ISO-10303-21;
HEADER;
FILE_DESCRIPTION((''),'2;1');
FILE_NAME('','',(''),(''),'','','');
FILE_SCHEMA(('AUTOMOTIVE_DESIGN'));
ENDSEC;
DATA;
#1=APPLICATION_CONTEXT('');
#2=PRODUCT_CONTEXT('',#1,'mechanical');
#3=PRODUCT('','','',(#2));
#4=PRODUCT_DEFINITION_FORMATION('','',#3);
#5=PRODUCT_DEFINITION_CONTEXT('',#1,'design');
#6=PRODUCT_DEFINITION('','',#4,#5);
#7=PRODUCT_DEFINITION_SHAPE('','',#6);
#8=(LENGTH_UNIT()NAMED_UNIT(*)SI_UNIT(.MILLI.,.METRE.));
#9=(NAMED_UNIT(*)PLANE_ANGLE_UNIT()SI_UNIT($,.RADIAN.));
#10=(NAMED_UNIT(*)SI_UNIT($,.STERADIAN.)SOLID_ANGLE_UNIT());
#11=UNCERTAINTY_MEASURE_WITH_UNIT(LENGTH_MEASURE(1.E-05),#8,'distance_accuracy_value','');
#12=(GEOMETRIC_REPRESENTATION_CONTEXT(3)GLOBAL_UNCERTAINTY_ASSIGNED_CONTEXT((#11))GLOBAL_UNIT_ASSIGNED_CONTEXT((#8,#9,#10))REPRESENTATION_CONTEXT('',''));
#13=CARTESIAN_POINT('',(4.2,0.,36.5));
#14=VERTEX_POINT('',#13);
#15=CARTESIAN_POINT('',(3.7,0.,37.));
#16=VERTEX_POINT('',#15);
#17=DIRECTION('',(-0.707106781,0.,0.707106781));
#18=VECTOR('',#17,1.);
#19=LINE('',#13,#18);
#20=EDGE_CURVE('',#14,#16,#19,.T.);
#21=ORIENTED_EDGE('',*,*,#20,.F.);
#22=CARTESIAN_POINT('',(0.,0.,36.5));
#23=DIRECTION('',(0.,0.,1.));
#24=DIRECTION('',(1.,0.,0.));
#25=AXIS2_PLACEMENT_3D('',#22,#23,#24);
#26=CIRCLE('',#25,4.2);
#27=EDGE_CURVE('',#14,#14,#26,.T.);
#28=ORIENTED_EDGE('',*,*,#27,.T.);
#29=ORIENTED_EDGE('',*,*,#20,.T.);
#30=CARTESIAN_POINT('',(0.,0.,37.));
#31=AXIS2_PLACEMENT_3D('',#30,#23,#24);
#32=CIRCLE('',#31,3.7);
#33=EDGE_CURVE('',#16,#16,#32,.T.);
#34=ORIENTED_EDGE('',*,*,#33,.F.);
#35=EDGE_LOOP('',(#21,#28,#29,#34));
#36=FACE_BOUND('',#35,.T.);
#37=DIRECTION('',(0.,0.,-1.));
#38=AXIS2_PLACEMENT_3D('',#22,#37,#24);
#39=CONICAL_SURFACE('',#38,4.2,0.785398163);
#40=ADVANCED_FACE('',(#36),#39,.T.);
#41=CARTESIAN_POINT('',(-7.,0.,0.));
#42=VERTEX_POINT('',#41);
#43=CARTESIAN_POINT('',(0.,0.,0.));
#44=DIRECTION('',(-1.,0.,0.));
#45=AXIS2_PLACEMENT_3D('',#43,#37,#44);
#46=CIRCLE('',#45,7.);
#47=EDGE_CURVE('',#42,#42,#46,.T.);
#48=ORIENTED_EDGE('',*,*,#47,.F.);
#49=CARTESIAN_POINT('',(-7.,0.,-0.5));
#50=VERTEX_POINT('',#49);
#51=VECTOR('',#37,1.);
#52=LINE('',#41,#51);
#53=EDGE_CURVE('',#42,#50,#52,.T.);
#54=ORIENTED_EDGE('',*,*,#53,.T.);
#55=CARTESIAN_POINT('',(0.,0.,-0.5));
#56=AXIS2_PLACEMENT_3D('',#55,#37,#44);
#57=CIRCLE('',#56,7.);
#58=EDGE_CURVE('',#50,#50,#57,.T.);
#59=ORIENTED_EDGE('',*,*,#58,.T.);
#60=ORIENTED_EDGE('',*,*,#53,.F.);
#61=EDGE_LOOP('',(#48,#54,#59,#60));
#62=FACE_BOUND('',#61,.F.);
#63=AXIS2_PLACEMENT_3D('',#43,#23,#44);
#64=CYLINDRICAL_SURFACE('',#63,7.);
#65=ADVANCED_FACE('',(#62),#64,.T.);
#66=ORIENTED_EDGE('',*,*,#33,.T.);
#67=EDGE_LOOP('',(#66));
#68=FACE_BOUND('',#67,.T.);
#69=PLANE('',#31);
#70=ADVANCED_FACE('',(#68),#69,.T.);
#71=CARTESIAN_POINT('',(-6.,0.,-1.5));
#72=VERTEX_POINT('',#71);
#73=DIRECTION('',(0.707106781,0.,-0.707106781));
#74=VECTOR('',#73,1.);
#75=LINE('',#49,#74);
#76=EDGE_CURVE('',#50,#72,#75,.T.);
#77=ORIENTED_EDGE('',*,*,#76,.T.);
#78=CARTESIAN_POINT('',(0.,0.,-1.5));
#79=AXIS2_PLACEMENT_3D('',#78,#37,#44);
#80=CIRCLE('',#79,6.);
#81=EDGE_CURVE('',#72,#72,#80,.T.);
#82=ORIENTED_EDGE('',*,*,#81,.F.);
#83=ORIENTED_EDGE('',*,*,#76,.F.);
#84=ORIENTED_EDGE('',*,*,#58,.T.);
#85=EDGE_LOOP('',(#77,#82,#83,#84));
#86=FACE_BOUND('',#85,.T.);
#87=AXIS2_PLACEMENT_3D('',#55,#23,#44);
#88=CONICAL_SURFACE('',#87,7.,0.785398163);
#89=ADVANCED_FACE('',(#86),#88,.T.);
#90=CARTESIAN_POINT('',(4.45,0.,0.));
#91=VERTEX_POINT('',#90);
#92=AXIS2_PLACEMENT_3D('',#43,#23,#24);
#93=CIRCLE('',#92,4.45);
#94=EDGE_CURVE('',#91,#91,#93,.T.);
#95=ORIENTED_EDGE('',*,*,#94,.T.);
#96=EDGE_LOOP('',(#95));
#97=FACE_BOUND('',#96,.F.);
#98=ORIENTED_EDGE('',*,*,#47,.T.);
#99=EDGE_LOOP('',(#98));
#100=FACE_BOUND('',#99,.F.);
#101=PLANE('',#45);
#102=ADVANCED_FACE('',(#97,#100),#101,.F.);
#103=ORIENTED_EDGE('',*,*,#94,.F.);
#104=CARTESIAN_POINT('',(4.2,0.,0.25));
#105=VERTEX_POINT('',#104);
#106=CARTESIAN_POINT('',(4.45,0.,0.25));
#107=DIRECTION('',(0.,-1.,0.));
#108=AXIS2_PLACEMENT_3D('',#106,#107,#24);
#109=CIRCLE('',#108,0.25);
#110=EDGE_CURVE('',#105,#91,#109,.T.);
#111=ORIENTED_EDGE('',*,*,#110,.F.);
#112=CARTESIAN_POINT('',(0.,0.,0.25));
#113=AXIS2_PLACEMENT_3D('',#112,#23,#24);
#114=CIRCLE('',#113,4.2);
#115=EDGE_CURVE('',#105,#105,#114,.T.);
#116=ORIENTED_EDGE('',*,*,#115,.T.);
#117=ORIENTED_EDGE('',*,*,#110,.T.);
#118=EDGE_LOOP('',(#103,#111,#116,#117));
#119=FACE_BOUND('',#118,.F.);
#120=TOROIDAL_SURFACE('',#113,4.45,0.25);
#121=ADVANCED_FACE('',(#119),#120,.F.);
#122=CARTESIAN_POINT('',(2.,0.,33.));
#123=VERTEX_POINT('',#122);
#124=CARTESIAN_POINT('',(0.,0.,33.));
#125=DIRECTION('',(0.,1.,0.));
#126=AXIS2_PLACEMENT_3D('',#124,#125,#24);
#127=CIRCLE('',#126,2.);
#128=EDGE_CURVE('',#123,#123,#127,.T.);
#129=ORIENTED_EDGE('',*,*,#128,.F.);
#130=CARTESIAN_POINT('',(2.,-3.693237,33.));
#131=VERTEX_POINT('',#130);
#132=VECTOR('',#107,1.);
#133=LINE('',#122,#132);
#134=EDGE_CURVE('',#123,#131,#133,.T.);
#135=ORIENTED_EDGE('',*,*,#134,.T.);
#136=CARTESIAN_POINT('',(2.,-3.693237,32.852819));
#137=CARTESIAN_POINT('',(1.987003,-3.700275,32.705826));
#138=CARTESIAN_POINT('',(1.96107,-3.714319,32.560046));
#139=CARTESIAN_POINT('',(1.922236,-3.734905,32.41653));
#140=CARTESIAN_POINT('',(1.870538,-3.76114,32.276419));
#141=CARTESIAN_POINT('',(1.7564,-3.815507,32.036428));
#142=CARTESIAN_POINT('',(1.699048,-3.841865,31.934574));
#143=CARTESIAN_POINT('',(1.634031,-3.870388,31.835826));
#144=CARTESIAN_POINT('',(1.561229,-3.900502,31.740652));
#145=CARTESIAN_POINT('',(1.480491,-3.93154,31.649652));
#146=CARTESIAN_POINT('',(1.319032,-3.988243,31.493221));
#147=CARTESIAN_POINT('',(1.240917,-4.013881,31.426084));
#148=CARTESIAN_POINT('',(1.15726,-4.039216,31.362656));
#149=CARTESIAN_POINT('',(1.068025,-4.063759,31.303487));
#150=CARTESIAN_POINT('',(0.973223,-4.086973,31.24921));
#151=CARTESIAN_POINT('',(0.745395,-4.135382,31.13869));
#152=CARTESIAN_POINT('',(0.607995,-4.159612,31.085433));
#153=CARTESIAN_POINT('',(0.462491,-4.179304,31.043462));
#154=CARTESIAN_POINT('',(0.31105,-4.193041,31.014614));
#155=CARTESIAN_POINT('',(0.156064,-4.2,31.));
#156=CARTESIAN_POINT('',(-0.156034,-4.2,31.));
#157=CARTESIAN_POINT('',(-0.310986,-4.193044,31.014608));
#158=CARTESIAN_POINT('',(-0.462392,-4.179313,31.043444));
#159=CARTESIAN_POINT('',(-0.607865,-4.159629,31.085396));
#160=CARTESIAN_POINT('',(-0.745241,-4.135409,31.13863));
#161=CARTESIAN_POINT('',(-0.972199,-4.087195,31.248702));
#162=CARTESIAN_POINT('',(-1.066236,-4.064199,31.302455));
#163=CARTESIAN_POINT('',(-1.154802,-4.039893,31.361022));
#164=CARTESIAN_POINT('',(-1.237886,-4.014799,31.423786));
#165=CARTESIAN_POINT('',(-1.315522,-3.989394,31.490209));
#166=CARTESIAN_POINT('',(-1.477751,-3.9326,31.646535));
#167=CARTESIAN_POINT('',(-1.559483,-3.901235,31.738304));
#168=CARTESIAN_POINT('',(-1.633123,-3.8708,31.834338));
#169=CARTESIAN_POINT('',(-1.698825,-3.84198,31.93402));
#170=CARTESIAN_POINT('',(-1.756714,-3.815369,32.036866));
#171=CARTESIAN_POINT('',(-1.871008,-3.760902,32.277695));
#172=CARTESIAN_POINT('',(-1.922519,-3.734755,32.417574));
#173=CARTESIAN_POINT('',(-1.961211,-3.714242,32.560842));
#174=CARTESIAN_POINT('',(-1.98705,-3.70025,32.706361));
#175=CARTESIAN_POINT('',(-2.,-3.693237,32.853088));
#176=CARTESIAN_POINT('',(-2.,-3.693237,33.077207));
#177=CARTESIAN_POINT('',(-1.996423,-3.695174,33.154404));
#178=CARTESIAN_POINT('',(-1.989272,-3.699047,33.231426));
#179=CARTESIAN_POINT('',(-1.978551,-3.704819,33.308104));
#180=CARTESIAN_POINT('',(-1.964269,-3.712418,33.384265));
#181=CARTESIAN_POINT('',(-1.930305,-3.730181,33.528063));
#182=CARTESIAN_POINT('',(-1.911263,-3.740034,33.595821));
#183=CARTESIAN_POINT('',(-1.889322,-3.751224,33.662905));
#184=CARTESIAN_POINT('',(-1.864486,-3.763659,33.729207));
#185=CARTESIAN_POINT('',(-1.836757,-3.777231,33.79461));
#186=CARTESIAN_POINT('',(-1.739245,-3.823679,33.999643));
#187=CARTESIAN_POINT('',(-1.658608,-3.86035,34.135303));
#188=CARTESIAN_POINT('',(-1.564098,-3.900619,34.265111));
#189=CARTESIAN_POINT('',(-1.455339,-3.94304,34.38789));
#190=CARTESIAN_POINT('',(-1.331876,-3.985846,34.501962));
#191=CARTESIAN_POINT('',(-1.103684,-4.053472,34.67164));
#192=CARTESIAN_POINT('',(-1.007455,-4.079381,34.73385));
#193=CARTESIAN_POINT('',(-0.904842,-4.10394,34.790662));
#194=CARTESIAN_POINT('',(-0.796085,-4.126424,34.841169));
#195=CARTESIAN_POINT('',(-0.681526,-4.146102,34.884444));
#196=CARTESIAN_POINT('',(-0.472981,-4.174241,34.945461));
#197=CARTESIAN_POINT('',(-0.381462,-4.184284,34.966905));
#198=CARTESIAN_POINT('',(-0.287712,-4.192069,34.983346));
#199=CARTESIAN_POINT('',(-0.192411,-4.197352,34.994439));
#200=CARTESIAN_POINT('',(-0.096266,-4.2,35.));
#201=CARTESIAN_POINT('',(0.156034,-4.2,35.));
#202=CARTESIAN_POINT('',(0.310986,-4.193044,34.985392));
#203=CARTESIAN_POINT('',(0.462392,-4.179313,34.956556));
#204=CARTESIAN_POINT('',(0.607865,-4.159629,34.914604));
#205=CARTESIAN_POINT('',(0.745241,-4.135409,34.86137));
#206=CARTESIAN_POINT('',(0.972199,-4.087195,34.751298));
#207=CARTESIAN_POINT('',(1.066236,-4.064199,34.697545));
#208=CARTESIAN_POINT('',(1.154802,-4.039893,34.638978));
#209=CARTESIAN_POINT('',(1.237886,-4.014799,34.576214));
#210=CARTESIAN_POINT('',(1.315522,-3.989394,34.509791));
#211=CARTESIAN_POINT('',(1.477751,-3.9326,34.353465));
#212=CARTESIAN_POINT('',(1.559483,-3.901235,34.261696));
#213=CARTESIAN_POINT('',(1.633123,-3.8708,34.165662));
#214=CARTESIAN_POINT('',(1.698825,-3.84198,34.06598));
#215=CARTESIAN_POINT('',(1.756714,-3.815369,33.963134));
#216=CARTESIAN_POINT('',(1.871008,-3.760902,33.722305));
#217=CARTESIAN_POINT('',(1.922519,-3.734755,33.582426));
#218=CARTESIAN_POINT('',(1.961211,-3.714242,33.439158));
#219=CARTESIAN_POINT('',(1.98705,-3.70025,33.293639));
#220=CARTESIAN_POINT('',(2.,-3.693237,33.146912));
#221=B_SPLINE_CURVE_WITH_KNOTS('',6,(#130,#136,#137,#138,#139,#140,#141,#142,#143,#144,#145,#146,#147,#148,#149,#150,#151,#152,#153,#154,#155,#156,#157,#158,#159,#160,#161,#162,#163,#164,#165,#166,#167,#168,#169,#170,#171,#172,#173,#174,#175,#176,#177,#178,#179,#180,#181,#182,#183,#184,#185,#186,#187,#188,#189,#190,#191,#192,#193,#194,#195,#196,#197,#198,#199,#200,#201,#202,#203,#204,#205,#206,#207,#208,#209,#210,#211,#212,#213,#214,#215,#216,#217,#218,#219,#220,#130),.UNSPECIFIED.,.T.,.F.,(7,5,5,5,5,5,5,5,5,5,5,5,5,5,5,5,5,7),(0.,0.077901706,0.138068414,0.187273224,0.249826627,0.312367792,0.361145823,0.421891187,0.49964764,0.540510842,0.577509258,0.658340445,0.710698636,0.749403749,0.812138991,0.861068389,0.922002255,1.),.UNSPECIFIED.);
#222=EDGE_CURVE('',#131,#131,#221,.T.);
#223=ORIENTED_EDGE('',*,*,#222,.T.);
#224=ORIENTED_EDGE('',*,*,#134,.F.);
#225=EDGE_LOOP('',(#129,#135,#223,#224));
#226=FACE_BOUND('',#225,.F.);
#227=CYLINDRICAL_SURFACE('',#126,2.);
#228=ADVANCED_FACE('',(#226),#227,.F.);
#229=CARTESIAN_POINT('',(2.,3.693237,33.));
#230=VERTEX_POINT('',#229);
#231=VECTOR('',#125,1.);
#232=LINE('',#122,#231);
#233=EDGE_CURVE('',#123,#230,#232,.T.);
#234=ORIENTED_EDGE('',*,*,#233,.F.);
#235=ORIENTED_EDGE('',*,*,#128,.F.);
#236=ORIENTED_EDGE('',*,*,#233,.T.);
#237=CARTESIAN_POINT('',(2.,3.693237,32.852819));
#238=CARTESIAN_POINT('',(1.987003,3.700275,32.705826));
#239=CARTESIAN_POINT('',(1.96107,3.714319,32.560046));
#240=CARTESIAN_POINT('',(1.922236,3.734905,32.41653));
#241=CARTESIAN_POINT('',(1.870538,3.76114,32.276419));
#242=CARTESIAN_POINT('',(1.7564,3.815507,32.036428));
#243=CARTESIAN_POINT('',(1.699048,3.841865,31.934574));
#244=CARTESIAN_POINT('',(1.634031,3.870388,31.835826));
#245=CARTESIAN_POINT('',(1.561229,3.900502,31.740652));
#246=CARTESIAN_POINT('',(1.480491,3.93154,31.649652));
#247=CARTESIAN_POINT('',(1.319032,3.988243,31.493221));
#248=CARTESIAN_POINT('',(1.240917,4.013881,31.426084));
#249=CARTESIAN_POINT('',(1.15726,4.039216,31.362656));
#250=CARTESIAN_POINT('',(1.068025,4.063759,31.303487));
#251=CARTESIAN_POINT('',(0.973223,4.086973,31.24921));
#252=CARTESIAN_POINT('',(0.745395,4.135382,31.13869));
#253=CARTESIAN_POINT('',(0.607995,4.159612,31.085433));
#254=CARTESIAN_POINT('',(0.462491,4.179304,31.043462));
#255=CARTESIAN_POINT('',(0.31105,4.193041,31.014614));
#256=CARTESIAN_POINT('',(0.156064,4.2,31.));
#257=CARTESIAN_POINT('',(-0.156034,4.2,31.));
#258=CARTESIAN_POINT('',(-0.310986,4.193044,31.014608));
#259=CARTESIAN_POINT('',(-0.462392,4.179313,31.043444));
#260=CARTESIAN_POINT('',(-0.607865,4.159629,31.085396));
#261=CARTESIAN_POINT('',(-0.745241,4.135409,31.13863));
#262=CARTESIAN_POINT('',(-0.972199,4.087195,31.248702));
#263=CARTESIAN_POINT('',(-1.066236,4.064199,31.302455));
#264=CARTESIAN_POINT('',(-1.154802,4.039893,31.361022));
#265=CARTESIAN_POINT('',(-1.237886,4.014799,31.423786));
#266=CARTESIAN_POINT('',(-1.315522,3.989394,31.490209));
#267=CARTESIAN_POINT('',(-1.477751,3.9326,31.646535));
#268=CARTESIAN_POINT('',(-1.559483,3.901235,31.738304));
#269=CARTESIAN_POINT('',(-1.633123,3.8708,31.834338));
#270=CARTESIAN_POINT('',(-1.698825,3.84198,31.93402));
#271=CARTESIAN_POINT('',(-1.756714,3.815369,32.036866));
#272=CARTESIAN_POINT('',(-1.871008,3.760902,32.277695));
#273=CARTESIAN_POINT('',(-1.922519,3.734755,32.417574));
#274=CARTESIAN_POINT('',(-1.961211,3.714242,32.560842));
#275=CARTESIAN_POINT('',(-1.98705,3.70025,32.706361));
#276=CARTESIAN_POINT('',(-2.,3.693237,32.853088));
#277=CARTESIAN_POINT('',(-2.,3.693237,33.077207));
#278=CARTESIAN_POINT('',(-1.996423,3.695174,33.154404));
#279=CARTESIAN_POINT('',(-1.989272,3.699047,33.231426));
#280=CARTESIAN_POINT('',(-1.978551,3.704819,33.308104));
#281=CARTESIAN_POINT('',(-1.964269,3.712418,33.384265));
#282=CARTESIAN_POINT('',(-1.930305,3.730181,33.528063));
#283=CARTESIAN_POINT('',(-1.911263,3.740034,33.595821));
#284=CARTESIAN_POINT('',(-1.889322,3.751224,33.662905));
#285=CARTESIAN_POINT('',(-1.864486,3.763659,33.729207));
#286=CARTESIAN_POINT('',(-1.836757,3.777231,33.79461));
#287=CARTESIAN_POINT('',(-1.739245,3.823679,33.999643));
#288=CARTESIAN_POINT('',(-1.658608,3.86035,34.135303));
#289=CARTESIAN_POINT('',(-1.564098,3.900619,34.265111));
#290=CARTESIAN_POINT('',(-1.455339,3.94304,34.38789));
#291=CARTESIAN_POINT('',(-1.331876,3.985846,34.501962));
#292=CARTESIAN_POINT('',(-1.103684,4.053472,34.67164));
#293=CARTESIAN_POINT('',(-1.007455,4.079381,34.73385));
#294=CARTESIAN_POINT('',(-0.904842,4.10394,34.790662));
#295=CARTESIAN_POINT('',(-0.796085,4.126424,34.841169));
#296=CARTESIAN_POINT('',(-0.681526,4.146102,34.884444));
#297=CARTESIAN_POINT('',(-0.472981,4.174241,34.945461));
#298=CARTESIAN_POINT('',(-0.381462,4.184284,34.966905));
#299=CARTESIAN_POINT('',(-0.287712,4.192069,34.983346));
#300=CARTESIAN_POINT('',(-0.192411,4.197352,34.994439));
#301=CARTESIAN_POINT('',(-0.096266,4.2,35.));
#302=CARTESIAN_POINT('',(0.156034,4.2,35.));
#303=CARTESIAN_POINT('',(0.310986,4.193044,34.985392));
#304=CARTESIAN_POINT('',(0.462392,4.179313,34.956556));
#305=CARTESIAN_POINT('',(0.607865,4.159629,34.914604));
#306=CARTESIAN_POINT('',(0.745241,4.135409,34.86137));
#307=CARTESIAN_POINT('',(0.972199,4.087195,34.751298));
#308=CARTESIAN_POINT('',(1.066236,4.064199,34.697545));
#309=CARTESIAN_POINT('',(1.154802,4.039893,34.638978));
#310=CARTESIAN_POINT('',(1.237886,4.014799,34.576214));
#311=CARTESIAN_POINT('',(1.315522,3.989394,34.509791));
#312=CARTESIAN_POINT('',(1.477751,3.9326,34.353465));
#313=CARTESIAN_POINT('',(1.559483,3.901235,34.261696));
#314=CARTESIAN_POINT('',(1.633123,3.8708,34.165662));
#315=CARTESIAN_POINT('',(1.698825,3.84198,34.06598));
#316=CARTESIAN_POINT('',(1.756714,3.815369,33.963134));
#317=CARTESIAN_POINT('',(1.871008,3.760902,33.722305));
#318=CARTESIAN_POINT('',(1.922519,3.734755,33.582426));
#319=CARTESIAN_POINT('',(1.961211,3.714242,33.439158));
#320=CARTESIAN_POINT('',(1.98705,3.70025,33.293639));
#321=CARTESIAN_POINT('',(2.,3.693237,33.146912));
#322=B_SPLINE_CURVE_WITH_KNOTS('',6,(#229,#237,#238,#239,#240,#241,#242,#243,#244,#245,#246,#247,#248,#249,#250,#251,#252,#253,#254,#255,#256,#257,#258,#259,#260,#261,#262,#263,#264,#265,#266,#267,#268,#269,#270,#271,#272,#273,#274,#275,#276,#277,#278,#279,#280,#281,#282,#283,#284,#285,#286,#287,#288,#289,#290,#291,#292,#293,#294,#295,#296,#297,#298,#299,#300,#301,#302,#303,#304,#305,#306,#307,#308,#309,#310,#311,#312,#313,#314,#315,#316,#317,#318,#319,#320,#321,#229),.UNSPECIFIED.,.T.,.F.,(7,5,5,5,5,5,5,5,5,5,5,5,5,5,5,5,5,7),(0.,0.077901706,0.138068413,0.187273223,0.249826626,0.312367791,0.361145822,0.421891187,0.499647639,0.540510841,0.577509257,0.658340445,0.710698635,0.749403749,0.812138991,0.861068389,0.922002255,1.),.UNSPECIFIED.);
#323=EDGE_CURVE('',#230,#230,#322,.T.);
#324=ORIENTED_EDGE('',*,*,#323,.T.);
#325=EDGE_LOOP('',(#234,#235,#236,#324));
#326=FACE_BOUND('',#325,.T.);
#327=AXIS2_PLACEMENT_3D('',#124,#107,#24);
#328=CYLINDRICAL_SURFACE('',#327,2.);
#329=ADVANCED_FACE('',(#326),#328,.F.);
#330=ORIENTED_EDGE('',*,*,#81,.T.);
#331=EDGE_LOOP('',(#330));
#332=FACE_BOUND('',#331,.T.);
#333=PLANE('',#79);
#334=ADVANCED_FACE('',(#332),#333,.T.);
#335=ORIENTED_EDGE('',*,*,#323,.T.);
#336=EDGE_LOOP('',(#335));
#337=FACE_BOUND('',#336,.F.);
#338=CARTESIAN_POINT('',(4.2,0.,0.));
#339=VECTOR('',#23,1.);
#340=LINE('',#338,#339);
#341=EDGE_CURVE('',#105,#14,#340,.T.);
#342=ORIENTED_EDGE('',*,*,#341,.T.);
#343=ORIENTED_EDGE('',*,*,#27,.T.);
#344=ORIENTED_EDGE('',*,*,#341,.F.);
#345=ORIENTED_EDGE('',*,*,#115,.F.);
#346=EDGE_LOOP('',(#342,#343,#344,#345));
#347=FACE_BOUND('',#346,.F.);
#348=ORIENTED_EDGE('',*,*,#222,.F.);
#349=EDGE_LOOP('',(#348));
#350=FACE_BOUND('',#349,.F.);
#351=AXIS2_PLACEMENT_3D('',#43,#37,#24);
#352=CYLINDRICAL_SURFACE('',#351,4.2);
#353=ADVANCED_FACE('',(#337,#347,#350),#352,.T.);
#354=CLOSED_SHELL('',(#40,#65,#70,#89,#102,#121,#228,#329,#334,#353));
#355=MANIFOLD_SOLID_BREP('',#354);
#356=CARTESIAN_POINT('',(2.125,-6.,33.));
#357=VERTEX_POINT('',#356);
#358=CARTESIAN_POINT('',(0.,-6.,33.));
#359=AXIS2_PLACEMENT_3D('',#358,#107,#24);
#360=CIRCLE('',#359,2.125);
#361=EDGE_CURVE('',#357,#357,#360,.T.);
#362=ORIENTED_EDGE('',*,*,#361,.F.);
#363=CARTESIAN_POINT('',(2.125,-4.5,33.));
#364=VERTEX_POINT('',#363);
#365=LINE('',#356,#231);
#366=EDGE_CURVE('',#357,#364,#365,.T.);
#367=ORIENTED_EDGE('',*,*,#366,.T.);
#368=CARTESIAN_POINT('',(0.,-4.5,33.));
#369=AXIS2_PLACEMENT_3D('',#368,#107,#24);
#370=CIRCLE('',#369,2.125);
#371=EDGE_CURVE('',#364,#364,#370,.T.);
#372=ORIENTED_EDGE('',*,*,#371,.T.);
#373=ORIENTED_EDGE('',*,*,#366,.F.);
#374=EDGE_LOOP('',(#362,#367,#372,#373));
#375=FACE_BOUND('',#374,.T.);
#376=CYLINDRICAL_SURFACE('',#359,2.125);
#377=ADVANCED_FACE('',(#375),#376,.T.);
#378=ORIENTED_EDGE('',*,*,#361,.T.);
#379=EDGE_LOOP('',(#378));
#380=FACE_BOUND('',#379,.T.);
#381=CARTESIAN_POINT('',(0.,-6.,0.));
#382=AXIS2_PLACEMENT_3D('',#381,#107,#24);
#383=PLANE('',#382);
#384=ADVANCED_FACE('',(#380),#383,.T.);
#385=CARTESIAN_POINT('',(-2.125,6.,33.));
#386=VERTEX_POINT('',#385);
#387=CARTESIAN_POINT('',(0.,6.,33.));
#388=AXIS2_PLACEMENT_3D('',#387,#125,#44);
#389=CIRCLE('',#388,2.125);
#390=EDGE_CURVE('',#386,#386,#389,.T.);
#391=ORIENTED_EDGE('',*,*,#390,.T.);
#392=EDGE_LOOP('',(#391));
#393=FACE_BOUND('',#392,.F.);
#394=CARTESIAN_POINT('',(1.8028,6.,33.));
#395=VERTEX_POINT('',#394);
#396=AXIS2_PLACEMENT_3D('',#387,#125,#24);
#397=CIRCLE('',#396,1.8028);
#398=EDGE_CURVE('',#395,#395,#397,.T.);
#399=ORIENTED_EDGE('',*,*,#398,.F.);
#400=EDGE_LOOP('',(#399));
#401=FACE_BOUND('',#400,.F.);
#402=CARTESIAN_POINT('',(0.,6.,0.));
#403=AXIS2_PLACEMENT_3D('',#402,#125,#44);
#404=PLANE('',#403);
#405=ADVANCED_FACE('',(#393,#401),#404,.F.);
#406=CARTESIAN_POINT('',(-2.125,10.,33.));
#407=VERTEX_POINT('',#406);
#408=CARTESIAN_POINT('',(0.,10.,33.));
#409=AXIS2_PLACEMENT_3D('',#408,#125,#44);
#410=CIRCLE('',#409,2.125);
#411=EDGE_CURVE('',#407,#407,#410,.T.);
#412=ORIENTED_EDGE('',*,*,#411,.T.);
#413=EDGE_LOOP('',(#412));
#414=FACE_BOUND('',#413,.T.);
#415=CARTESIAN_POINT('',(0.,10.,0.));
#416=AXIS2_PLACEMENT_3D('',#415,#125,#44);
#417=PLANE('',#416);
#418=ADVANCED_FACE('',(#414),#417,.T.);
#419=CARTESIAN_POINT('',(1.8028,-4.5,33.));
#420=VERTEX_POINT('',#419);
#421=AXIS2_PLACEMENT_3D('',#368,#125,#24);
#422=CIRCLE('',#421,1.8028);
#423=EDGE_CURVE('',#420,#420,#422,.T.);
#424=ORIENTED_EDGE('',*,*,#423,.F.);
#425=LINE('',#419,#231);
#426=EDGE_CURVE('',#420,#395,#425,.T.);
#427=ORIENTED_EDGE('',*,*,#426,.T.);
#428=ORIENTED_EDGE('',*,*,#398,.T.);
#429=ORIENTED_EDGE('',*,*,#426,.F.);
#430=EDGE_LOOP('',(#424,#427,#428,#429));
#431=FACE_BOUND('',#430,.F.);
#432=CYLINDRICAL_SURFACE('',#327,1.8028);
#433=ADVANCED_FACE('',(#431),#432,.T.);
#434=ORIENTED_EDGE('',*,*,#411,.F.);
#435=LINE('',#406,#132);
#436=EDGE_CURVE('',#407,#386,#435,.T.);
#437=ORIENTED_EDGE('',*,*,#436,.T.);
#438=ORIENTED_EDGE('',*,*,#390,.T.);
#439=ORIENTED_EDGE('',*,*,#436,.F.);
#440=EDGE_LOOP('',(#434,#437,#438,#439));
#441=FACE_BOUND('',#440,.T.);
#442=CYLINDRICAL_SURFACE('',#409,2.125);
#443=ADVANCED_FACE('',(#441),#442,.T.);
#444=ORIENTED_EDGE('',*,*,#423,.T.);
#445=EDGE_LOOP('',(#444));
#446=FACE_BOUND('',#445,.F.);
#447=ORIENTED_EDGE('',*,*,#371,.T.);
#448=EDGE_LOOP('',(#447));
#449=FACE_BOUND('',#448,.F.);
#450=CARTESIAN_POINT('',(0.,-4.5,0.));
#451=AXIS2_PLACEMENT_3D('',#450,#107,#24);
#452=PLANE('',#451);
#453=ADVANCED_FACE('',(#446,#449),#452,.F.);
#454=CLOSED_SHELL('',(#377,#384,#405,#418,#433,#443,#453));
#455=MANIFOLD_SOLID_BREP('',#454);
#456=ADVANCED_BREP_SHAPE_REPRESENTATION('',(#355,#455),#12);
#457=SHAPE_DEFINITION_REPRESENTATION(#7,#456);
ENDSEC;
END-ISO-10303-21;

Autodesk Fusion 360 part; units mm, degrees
sketch "Sketch1" plane through (0, 0, 0) normal (0, 0, 1) x (1, 0, 0)
  circle A0 centre (0, 0) radius 4.2
  dimension "d1" = 8.4
extrude "Extrude1" add sketch "Sketch1" along normal blind 37 makes body 1
sketch "Sketch2" plane through (0, 0, 0) normal (0, 0, -1) x (-1, 0, 0)
  circle A0 centre (0, 0) radius 4.2
  circle A1 centre (0, 0) radius 7
  dimension "d4" = 14
extrude "Extrude2" add sketch "Sketch2" along normal blind 1.5 contours A0 | A1 bodies 1
chamfer "Chamfer1" distance 1 angle 45 1 edges at (6.5263, -2.5313, -1.5) on bodies 1
sketch "Sketch3" plane through (0, 0, 0) normal (0, 1, 0) x (1, 0, 0)
  line L0 (7, 0) -> (-7, 0)
  line L1 (-4.2, 0) -> (18, 0) construction
  line L2 (-4.2, -20) -> (18, -20) construction
  line L3 (0, 0) -> (0, -20) construction
  line L4 (0, -20) -> (0, -33) construction
  circle A0 centre (0, -33) radius 2
  point P0 (-4.2, 0)
  dimension "d8" = 20
  dimension "d9" = 4
  dimension "d24" = 13
extrude "Extrude3" cut sketch "Sketch3" along normal through all and the other way through all bodies 1
sketch "Sketch4" plane through (0, 0, 0) normal (0, 1, 0) x (1, 0, 0)
  circle A0 centre (0, -33) radius 1.8028
extrude "Extrude4" add sketch "Sketch4" along normal blind 10 and the other way blind 6 separate body makes body 2
sketch "Sketch5" plane through (0, -6, 0) normal (0, -1, 0) x (1, 0, 0)
  circle A0 centre (0, 33) radius 1.8028
  circle A1 centre (0, 33) radius 2.125
  dimension "d21" = 4.25
extrude "Extrude5" add sketch "Sketch5" against normal blind 1.5 contours A0 | A1 bodies 2
sketch "Sketch6" plane through (0, 10, 0) normal (0, 1, 0) x (-1, 0, 0)
  circle A0 centre (0, 33) radius 1.8028
  circle A1 centre (0, 33) radius 2.125
  circle A2 centre (0, 33) radius 2.125
  circle A3 centre (0, 33) radius 2.125
  dimension "d20" = 4.25
extrude "Extrude6" add sketch "Sketch6" against normal blind 4 bodies 2
chamfer "Chamfer2" distance 0.5 angle 45 1 edges at (-3.9158, -1.5188, 37) on bodies 1
fillet "Fillet1" radius 0.25 1 edges at (-3.9158, -1.5188, 0) on bodies 1
